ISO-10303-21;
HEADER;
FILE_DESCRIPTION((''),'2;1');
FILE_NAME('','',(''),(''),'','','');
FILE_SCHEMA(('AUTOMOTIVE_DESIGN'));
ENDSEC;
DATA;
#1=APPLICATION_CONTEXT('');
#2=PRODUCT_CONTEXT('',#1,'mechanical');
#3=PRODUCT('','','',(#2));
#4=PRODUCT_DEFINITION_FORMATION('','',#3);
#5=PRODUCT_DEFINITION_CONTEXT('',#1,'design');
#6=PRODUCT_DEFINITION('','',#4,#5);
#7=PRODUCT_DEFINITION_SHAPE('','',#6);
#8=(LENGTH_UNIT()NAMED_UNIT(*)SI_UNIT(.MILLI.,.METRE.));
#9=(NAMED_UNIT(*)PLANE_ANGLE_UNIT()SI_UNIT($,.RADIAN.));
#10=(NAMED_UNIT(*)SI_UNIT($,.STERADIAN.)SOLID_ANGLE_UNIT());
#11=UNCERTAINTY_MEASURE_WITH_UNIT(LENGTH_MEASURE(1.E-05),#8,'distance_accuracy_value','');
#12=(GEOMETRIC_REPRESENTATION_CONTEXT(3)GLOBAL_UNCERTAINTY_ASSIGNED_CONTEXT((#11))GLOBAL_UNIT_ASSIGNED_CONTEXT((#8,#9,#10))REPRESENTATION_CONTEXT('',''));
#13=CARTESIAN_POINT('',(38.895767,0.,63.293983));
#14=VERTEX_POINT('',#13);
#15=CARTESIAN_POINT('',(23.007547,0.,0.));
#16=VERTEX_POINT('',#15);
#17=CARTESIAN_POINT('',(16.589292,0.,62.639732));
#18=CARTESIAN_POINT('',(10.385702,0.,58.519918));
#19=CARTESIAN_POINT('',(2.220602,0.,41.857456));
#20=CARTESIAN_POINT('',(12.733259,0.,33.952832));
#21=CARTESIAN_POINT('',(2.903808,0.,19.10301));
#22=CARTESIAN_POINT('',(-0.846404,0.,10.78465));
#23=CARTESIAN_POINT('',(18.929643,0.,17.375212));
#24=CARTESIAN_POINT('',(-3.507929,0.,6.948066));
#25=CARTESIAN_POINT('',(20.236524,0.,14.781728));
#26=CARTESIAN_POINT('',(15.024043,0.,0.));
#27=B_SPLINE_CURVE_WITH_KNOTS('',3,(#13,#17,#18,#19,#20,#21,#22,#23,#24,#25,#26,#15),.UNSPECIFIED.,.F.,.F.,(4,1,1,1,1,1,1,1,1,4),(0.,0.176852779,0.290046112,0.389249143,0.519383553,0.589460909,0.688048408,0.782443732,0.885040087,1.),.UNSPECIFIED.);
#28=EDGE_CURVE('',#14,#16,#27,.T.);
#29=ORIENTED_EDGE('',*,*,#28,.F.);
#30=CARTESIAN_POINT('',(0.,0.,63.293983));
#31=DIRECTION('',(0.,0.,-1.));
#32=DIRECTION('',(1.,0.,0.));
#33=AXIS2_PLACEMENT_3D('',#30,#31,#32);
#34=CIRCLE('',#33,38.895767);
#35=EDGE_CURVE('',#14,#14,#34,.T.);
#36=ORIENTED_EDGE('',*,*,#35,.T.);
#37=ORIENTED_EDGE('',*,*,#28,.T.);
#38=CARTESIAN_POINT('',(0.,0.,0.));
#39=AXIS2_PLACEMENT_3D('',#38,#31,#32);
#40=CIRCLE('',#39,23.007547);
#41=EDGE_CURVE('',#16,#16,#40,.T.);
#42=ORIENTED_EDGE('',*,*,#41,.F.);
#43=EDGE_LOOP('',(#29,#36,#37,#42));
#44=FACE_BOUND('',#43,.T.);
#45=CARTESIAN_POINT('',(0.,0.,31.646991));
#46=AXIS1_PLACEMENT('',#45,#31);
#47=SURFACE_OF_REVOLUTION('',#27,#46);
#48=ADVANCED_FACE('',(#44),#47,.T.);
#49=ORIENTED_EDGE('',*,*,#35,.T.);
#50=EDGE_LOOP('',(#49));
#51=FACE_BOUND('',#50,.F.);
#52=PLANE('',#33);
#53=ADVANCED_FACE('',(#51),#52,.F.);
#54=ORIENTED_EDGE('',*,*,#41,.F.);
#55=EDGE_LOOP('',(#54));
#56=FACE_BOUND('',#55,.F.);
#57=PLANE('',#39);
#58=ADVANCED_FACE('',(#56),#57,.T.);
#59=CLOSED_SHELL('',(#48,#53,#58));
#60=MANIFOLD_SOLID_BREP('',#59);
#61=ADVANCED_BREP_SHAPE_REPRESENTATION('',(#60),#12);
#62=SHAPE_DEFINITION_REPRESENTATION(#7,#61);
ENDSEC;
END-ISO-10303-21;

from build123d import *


with BuildPart() as f1:
    # F0 (on Front) → F1 (revolve)
    with BuildSketch(Plane.XZ):
        with BuildLine():
            add(Edge.make_bspline(
                [(38.8957671437, 63.2939827963), (16.5892915816, 62.6397316178), (10.3857017542, 58.5199177892), (2.2206016596, 41.8574558196), (12.7332591682, 33.9528315378), (2.9038078837, 19.1030104093), (-0.8464038842, 10.7846501936), (18.929643355, 17.3752115542), (-3.5079294148, 6.9480664395), (20.2365238866, 14.7817275576), (15.0240432995, 0), (23.0075465906, 0)],
                knots=[0, 0, 0, 0, 0.1768527794, 0.2900461118, 0.389249143, 0.5193835528, 0.5894609087, 0.6880484078, 0.7824437324, 0.8850400868, 1, 1, 1, 1], degree=3))
            Line((38.8957671437, 63.2939827963), (0, 63.2939827963))
            Line((0, 63.2939827963), (0, 0))
            Line((0, 0), (23.0075465906, 0))
        make_face()
    revolve(axis=Axis((0, 0, 31.6469913982), (0, 0, -1)))


solid = f1.part
